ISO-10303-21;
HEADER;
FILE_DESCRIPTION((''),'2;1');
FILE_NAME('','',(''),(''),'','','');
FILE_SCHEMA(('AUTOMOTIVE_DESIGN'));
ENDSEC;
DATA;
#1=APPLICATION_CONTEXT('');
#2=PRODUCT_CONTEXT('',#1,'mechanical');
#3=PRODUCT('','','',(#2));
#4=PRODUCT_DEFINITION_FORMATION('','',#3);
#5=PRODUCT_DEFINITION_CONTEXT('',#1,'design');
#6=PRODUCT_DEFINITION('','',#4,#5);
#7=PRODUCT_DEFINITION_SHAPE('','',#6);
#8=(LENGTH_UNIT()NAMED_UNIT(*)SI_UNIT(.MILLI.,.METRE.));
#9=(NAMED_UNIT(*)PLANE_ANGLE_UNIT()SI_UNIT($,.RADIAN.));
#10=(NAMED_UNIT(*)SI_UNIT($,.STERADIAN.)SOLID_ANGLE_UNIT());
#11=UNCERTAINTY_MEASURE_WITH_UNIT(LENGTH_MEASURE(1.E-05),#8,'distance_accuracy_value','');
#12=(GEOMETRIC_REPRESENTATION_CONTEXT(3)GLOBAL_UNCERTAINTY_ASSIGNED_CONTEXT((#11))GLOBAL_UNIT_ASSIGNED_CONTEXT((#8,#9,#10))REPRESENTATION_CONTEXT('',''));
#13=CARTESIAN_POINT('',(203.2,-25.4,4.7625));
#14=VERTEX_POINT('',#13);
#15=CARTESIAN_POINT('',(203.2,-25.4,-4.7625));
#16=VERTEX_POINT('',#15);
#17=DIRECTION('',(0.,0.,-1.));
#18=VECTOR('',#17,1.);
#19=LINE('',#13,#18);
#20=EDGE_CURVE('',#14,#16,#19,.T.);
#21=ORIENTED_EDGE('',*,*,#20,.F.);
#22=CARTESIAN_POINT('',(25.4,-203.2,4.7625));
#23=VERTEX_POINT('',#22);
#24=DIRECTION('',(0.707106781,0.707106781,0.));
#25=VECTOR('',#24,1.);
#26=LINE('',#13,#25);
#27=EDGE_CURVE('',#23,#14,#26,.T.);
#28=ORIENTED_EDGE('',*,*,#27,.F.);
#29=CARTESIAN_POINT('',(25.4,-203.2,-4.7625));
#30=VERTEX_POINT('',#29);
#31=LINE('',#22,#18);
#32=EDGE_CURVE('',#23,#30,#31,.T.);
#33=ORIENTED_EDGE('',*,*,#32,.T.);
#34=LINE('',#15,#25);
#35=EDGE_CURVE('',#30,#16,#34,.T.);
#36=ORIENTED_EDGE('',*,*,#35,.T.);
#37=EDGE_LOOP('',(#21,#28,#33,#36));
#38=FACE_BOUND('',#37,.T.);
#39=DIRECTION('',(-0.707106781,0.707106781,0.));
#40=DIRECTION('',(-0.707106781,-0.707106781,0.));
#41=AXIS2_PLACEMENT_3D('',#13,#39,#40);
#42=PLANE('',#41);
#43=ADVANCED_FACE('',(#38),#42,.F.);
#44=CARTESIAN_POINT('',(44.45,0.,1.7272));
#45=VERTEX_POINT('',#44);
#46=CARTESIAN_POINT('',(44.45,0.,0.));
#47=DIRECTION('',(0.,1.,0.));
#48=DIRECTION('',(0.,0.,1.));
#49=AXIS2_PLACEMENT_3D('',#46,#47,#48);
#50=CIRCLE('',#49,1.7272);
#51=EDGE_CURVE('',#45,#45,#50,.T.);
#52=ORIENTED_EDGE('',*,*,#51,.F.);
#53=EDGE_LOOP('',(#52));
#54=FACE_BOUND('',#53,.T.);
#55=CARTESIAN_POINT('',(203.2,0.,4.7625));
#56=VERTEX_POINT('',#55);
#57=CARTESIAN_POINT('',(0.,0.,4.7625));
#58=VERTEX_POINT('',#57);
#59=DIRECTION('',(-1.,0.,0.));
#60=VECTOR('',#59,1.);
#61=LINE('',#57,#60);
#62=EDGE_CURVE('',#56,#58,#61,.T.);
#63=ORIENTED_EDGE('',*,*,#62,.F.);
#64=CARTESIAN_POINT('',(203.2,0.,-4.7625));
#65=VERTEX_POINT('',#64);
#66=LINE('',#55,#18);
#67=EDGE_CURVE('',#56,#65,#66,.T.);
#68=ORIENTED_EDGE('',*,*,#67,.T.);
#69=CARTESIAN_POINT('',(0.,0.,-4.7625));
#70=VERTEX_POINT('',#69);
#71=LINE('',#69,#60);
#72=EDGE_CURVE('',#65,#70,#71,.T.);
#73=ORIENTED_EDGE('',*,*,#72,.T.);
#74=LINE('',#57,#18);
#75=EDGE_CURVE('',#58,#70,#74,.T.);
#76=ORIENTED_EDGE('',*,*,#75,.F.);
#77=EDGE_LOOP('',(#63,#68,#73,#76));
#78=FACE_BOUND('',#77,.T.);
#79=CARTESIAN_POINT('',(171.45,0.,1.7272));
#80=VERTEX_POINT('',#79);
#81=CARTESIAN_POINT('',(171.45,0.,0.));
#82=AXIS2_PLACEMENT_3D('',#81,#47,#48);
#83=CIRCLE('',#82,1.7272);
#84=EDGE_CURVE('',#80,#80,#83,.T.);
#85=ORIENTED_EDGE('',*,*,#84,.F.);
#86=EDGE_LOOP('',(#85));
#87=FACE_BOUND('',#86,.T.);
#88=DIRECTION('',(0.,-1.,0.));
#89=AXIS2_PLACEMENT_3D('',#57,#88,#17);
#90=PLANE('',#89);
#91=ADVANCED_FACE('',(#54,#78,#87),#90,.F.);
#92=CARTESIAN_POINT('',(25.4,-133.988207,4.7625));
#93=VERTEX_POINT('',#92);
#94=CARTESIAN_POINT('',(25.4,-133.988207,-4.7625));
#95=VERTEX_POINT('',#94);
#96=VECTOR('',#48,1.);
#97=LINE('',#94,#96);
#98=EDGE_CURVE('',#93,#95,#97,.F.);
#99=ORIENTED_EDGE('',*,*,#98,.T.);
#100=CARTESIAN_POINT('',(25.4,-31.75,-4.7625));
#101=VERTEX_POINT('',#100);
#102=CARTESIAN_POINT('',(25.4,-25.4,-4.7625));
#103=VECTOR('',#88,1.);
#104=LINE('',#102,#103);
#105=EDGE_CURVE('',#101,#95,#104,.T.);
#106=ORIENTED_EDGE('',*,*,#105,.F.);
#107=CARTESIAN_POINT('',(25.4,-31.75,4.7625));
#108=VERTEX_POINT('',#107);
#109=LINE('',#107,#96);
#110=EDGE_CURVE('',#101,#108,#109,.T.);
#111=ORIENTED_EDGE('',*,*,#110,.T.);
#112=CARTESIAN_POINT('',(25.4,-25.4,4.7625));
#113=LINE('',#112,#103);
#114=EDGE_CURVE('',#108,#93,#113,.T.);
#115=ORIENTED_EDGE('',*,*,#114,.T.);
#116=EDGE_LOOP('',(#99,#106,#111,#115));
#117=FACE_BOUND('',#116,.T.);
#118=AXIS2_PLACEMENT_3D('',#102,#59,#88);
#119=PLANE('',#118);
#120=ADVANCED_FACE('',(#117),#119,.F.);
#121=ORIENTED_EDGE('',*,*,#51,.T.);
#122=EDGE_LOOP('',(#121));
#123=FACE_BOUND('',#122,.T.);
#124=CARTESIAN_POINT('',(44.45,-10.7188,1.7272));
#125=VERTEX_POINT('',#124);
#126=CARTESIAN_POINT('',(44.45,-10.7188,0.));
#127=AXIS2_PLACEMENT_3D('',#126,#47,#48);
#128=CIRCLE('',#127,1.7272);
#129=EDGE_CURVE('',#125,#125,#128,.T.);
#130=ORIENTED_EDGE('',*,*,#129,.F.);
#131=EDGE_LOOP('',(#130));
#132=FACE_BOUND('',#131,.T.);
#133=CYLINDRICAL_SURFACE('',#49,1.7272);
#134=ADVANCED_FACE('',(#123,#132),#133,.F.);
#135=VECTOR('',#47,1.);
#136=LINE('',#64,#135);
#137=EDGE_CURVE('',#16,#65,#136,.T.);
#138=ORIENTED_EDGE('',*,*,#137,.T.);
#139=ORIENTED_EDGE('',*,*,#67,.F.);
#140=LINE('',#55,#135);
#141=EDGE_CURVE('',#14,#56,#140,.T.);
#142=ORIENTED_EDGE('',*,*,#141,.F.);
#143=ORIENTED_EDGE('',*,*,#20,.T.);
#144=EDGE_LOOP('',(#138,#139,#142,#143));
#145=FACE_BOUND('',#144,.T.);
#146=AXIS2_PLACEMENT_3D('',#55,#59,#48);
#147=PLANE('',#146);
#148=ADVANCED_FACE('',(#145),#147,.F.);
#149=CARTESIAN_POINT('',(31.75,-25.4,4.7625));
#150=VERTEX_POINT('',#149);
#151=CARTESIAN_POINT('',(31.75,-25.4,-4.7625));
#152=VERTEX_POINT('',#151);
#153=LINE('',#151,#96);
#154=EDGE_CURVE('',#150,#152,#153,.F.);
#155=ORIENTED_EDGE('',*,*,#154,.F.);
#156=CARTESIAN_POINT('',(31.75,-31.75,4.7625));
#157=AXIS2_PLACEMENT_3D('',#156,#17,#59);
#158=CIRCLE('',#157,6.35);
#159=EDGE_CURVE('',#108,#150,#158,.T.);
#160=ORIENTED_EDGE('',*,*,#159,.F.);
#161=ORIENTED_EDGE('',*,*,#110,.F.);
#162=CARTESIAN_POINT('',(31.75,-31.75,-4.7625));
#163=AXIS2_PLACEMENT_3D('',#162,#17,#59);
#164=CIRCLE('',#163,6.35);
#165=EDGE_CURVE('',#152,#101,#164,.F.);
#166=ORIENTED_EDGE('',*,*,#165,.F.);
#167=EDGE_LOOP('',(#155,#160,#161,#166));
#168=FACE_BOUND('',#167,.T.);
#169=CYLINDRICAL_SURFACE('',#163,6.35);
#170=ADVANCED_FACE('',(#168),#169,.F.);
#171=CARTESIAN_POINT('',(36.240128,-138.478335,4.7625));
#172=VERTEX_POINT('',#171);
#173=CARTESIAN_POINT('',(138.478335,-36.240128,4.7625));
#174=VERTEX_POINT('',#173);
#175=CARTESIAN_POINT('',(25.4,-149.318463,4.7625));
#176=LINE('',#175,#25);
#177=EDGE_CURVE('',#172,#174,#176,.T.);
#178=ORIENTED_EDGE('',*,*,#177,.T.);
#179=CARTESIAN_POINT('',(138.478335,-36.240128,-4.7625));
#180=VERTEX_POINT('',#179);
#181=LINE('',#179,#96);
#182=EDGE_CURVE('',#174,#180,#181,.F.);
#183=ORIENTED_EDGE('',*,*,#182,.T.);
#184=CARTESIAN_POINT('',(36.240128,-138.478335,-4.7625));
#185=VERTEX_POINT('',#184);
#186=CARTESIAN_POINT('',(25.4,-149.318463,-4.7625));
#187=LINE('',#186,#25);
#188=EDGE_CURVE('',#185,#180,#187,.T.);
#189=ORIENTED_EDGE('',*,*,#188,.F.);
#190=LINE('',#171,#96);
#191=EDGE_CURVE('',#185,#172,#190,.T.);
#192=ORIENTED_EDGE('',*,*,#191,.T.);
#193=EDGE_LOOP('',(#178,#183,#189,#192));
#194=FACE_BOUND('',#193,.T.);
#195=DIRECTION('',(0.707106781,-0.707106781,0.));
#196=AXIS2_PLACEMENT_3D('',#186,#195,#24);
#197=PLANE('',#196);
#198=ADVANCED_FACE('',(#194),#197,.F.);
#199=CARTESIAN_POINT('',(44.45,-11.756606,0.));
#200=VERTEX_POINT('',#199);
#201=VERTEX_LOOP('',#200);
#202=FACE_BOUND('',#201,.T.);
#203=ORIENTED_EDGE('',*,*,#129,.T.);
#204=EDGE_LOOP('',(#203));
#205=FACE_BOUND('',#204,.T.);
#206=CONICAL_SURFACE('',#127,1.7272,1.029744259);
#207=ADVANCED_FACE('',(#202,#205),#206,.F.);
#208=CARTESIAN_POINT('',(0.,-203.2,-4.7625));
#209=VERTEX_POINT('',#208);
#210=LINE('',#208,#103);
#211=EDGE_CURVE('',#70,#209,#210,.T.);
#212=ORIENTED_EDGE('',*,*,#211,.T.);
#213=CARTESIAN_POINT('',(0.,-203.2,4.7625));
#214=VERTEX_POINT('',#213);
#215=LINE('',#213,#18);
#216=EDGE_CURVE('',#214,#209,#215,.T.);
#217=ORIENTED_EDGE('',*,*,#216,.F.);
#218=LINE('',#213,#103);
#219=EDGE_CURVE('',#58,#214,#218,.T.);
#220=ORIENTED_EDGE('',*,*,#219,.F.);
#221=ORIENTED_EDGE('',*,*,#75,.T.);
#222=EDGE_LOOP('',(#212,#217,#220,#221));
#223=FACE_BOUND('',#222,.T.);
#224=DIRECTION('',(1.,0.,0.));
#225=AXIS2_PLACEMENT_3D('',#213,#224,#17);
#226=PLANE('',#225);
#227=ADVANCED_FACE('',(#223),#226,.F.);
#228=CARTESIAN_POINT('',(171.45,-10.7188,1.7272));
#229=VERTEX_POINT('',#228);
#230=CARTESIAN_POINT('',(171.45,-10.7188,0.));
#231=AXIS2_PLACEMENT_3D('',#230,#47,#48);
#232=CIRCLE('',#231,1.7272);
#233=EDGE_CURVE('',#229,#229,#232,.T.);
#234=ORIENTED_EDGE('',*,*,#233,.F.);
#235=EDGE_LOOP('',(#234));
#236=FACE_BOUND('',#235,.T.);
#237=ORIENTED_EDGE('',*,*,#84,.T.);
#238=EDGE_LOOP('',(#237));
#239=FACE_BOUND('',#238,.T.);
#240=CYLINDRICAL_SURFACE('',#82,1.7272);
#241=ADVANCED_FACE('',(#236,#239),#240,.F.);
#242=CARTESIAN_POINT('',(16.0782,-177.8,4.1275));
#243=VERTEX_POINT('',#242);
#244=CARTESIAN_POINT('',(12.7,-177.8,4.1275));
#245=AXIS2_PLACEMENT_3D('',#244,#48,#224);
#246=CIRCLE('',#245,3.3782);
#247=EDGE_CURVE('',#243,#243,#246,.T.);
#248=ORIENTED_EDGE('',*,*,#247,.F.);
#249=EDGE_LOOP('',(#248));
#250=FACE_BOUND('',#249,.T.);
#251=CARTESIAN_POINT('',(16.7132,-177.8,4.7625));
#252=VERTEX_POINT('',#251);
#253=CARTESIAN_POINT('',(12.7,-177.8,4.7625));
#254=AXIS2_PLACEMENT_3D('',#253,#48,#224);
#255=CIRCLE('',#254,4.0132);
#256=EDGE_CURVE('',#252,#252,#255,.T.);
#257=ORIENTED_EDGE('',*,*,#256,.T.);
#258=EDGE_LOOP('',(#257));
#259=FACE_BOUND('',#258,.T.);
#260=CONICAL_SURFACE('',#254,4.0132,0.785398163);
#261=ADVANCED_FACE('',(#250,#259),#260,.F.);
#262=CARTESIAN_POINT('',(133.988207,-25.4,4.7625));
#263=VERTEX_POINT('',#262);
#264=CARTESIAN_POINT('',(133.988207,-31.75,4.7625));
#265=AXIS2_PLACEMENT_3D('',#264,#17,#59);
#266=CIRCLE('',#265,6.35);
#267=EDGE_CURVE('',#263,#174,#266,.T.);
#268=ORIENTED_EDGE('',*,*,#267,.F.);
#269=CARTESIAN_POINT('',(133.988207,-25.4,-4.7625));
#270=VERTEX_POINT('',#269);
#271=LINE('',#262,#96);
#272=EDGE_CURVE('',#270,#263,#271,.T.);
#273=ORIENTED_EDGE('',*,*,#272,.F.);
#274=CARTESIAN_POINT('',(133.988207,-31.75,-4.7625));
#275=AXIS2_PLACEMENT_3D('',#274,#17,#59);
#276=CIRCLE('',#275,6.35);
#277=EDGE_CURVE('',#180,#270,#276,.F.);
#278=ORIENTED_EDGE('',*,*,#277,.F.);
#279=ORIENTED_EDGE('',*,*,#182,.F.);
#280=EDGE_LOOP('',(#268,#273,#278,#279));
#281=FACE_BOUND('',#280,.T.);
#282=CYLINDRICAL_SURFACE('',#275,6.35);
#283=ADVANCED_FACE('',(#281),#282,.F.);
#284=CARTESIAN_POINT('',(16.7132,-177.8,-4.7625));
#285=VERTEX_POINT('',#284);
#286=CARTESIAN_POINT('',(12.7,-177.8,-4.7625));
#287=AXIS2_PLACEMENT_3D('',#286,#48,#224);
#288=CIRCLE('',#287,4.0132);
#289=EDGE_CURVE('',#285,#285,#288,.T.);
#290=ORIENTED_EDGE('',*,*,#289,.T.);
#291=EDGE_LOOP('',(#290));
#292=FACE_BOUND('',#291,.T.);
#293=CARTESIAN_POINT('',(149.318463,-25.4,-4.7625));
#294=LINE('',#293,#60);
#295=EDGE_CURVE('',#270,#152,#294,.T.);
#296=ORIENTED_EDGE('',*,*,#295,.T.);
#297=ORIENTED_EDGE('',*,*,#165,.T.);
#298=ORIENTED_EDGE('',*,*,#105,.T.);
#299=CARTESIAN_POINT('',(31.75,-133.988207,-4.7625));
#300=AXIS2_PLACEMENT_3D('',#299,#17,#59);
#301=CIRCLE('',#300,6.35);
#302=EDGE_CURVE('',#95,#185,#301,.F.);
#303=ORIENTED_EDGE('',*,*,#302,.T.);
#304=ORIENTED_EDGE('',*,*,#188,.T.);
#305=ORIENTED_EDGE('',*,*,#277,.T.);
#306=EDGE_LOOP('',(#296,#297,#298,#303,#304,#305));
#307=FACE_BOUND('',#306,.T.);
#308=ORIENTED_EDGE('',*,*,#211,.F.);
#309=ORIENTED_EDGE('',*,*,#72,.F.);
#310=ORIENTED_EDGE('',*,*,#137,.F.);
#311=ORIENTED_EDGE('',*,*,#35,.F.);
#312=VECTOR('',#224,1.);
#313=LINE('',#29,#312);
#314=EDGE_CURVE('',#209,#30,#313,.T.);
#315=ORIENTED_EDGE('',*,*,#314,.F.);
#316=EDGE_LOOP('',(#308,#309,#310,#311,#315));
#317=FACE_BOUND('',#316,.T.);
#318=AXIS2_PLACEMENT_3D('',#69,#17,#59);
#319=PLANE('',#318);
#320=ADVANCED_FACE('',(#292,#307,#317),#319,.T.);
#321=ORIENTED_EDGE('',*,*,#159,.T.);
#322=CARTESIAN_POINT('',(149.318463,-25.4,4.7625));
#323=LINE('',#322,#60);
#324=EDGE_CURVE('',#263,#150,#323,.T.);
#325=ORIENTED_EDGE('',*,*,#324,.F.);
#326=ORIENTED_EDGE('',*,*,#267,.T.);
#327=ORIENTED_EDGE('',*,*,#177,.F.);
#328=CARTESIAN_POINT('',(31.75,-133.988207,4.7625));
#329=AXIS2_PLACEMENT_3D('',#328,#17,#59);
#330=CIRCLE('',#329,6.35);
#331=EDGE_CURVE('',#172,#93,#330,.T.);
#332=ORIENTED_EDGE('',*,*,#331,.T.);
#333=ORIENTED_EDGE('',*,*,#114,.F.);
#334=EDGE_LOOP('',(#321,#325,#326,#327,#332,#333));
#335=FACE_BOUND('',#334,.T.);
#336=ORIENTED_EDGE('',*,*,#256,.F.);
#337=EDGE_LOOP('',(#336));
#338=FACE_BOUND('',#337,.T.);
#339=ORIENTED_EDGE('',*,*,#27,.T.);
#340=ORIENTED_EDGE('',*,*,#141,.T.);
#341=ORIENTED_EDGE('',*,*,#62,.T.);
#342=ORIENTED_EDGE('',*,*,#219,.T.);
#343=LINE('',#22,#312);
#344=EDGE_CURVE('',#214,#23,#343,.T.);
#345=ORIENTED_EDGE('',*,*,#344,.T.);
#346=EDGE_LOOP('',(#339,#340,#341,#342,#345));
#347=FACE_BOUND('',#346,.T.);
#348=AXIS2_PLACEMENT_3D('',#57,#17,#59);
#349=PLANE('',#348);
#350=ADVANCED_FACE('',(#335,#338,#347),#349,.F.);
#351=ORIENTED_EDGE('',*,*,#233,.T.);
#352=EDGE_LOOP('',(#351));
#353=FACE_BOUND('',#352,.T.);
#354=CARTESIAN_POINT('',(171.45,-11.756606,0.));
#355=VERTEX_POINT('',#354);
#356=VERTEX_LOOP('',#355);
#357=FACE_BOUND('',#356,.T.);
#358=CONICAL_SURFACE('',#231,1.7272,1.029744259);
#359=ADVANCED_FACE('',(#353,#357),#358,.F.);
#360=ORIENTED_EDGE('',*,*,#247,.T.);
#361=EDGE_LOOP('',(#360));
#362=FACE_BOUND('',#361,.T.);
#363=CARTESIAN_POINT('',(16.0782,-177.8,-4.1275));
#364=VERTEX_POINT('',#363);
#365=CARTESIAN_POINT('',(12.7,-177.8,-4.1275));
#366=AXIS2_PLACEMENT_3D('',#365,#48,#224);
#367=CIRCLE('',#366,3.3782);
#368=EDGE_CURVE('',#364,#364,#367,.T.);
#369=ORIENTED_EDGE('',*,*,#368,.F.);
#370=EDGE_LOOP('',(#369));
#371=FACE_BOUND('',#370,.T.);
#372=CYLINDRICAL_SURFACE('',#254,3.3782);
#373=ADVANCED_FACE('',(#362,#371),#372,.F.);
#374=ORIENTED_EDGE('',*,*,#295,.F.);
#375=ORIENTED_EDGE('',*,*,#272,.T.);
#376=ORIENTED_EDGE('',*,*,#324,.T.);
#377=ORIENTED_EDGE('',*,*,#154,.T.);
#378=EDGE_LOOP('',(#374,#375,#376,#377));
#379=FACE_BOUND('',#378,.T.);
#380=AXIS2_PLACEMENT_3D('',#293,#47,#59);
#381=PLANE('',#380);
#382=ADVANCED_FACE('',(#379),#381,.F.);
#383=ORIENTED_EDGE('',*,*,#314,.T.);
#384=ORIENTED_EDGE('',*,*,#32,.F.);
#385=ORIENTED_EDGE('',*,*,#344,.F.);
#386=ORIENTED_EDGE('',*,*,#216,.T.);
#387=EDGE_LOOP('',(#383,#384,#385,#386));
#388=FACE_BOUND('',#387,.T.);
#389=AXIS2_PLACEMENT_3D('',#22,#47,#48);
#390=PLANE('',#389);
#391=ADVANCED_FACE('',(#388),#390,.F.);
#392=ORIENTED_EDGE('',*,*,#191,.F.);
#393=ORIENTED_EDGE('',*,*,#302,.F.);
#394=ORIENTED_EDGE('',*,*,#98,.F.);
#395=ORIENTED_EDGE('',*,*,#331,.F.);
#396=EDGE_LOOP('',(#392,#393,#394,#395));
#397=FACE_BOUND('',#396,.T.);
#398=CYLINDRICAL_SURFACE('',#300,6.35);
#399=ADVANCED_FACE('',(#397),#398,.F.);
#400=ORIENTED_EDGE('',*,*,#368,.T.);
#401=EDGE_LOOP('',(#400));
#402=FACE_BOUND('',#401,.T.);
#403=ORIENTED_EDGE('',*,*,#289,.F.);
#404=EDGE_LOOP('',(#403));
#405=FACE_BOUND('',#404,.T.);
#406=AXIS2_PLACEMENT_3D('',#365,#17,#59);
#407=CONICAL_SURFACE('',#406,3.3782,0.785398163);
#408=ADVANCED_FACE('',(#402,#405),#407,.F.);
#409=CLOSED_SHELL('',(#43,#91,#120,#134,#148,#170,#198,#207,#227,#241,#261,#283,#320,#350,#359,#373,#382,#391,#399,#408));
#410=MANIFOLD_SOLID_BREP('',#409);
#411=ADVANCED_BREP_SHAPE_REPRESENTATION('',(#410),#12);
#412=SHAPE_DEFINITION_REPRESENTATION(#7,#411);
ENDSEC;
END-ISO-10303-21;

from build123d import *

# Parameters (mm, degrees)
BOSS_EXTRUDE1_DEPTH       = 4.7625
F_8_32_TAPPED_HOLE1_D     = 3.4544
F_8_32_TAPPED_HOLE1_DEPTH = 10.7188
F_8_32_TAPPED_HOLE1_TIP   = 1.037806461
CUT_EXTRUDE1_DEPTH        = 288.526008606
FILLET1_R                 = 6.35


with BuildPart() as part:
    # Sketch1 → Boss-Extrude1 (new, symmetric)
    with BuildSketch(Plane.XY):
        Polygon((0, -203.2), (0, 0), (203.2, 0), (203.2, -25.4), (25.4, -203.2), align=None)
    extrude(amount=BOSS_EXTRUDE1_DEPTH, both=True)

    # 8-32 Tapped Hole1
    with Locations(Plane(origin=(0, 0, 0), x_dir=(1, 0, 0), z_dir=(0, 1, 0))):
        with Locations((44.45, 0), (171.45, 0)):
            Hole(F_8_32_TAPPED_HOLE1_D / 2, depth=F_8_32_TAPPED_HOLE1_DEPTH)
            with Locations((0, 0, -(F_8_32_TAPPED_HOLE1_DEPTH + F_8_32_TAPPED_HOLE1_TIP / 2))):  # 118° drill point
                Cone(0, F_8_32_TAPPED_HOLE1_D / 2, F_8_32_TAPPED_HOLE1_TIP, mode=Mode.SUBTRACT)

    # Sketch6 → 1_4 Clearance Hole1 (revolve, cut)
    with BuildSketch(Plane(origin=(12.7, -177.8, 4.7625), x_dir=(0, -1, 0), z_dir=(1, 0, 0))):
        Polygon((0, 0), (0, 9.525), (4.0132, 9.525), (3.3782, 8.89), (3.3782, 0.635), (4.0132, 0), align=None)
    revolve(axis=Axis((12.7, -177.8, 11.1125), (0, 0, -1)), mode=Mode.SUBTRACT)

    # Sketch7 → Cut-Extrude1 (cut, through all)
    with BuildSketch(Plane.XY.offset(4.7625)):
        Polygon((25.4, -25.4), (25.4, -149.318463274), (149.318463274, -25.4), align=None)
    extrude(amount=-CUT_EXTRUDE1_DEPTH, mode=Mode.SUBTRACT)

    # Fillet1
    fillet1_edges = [part.edges().sort_by_distance(p)[0] for p in [
        (25.4, -25.4, 0),
        (149.318463274, -25.4, 0),
        (25.4, -149.318463274, 0),
    ]]
    fillet(fillet1_edges, radius=FILLET1_R)


solid = part.part
